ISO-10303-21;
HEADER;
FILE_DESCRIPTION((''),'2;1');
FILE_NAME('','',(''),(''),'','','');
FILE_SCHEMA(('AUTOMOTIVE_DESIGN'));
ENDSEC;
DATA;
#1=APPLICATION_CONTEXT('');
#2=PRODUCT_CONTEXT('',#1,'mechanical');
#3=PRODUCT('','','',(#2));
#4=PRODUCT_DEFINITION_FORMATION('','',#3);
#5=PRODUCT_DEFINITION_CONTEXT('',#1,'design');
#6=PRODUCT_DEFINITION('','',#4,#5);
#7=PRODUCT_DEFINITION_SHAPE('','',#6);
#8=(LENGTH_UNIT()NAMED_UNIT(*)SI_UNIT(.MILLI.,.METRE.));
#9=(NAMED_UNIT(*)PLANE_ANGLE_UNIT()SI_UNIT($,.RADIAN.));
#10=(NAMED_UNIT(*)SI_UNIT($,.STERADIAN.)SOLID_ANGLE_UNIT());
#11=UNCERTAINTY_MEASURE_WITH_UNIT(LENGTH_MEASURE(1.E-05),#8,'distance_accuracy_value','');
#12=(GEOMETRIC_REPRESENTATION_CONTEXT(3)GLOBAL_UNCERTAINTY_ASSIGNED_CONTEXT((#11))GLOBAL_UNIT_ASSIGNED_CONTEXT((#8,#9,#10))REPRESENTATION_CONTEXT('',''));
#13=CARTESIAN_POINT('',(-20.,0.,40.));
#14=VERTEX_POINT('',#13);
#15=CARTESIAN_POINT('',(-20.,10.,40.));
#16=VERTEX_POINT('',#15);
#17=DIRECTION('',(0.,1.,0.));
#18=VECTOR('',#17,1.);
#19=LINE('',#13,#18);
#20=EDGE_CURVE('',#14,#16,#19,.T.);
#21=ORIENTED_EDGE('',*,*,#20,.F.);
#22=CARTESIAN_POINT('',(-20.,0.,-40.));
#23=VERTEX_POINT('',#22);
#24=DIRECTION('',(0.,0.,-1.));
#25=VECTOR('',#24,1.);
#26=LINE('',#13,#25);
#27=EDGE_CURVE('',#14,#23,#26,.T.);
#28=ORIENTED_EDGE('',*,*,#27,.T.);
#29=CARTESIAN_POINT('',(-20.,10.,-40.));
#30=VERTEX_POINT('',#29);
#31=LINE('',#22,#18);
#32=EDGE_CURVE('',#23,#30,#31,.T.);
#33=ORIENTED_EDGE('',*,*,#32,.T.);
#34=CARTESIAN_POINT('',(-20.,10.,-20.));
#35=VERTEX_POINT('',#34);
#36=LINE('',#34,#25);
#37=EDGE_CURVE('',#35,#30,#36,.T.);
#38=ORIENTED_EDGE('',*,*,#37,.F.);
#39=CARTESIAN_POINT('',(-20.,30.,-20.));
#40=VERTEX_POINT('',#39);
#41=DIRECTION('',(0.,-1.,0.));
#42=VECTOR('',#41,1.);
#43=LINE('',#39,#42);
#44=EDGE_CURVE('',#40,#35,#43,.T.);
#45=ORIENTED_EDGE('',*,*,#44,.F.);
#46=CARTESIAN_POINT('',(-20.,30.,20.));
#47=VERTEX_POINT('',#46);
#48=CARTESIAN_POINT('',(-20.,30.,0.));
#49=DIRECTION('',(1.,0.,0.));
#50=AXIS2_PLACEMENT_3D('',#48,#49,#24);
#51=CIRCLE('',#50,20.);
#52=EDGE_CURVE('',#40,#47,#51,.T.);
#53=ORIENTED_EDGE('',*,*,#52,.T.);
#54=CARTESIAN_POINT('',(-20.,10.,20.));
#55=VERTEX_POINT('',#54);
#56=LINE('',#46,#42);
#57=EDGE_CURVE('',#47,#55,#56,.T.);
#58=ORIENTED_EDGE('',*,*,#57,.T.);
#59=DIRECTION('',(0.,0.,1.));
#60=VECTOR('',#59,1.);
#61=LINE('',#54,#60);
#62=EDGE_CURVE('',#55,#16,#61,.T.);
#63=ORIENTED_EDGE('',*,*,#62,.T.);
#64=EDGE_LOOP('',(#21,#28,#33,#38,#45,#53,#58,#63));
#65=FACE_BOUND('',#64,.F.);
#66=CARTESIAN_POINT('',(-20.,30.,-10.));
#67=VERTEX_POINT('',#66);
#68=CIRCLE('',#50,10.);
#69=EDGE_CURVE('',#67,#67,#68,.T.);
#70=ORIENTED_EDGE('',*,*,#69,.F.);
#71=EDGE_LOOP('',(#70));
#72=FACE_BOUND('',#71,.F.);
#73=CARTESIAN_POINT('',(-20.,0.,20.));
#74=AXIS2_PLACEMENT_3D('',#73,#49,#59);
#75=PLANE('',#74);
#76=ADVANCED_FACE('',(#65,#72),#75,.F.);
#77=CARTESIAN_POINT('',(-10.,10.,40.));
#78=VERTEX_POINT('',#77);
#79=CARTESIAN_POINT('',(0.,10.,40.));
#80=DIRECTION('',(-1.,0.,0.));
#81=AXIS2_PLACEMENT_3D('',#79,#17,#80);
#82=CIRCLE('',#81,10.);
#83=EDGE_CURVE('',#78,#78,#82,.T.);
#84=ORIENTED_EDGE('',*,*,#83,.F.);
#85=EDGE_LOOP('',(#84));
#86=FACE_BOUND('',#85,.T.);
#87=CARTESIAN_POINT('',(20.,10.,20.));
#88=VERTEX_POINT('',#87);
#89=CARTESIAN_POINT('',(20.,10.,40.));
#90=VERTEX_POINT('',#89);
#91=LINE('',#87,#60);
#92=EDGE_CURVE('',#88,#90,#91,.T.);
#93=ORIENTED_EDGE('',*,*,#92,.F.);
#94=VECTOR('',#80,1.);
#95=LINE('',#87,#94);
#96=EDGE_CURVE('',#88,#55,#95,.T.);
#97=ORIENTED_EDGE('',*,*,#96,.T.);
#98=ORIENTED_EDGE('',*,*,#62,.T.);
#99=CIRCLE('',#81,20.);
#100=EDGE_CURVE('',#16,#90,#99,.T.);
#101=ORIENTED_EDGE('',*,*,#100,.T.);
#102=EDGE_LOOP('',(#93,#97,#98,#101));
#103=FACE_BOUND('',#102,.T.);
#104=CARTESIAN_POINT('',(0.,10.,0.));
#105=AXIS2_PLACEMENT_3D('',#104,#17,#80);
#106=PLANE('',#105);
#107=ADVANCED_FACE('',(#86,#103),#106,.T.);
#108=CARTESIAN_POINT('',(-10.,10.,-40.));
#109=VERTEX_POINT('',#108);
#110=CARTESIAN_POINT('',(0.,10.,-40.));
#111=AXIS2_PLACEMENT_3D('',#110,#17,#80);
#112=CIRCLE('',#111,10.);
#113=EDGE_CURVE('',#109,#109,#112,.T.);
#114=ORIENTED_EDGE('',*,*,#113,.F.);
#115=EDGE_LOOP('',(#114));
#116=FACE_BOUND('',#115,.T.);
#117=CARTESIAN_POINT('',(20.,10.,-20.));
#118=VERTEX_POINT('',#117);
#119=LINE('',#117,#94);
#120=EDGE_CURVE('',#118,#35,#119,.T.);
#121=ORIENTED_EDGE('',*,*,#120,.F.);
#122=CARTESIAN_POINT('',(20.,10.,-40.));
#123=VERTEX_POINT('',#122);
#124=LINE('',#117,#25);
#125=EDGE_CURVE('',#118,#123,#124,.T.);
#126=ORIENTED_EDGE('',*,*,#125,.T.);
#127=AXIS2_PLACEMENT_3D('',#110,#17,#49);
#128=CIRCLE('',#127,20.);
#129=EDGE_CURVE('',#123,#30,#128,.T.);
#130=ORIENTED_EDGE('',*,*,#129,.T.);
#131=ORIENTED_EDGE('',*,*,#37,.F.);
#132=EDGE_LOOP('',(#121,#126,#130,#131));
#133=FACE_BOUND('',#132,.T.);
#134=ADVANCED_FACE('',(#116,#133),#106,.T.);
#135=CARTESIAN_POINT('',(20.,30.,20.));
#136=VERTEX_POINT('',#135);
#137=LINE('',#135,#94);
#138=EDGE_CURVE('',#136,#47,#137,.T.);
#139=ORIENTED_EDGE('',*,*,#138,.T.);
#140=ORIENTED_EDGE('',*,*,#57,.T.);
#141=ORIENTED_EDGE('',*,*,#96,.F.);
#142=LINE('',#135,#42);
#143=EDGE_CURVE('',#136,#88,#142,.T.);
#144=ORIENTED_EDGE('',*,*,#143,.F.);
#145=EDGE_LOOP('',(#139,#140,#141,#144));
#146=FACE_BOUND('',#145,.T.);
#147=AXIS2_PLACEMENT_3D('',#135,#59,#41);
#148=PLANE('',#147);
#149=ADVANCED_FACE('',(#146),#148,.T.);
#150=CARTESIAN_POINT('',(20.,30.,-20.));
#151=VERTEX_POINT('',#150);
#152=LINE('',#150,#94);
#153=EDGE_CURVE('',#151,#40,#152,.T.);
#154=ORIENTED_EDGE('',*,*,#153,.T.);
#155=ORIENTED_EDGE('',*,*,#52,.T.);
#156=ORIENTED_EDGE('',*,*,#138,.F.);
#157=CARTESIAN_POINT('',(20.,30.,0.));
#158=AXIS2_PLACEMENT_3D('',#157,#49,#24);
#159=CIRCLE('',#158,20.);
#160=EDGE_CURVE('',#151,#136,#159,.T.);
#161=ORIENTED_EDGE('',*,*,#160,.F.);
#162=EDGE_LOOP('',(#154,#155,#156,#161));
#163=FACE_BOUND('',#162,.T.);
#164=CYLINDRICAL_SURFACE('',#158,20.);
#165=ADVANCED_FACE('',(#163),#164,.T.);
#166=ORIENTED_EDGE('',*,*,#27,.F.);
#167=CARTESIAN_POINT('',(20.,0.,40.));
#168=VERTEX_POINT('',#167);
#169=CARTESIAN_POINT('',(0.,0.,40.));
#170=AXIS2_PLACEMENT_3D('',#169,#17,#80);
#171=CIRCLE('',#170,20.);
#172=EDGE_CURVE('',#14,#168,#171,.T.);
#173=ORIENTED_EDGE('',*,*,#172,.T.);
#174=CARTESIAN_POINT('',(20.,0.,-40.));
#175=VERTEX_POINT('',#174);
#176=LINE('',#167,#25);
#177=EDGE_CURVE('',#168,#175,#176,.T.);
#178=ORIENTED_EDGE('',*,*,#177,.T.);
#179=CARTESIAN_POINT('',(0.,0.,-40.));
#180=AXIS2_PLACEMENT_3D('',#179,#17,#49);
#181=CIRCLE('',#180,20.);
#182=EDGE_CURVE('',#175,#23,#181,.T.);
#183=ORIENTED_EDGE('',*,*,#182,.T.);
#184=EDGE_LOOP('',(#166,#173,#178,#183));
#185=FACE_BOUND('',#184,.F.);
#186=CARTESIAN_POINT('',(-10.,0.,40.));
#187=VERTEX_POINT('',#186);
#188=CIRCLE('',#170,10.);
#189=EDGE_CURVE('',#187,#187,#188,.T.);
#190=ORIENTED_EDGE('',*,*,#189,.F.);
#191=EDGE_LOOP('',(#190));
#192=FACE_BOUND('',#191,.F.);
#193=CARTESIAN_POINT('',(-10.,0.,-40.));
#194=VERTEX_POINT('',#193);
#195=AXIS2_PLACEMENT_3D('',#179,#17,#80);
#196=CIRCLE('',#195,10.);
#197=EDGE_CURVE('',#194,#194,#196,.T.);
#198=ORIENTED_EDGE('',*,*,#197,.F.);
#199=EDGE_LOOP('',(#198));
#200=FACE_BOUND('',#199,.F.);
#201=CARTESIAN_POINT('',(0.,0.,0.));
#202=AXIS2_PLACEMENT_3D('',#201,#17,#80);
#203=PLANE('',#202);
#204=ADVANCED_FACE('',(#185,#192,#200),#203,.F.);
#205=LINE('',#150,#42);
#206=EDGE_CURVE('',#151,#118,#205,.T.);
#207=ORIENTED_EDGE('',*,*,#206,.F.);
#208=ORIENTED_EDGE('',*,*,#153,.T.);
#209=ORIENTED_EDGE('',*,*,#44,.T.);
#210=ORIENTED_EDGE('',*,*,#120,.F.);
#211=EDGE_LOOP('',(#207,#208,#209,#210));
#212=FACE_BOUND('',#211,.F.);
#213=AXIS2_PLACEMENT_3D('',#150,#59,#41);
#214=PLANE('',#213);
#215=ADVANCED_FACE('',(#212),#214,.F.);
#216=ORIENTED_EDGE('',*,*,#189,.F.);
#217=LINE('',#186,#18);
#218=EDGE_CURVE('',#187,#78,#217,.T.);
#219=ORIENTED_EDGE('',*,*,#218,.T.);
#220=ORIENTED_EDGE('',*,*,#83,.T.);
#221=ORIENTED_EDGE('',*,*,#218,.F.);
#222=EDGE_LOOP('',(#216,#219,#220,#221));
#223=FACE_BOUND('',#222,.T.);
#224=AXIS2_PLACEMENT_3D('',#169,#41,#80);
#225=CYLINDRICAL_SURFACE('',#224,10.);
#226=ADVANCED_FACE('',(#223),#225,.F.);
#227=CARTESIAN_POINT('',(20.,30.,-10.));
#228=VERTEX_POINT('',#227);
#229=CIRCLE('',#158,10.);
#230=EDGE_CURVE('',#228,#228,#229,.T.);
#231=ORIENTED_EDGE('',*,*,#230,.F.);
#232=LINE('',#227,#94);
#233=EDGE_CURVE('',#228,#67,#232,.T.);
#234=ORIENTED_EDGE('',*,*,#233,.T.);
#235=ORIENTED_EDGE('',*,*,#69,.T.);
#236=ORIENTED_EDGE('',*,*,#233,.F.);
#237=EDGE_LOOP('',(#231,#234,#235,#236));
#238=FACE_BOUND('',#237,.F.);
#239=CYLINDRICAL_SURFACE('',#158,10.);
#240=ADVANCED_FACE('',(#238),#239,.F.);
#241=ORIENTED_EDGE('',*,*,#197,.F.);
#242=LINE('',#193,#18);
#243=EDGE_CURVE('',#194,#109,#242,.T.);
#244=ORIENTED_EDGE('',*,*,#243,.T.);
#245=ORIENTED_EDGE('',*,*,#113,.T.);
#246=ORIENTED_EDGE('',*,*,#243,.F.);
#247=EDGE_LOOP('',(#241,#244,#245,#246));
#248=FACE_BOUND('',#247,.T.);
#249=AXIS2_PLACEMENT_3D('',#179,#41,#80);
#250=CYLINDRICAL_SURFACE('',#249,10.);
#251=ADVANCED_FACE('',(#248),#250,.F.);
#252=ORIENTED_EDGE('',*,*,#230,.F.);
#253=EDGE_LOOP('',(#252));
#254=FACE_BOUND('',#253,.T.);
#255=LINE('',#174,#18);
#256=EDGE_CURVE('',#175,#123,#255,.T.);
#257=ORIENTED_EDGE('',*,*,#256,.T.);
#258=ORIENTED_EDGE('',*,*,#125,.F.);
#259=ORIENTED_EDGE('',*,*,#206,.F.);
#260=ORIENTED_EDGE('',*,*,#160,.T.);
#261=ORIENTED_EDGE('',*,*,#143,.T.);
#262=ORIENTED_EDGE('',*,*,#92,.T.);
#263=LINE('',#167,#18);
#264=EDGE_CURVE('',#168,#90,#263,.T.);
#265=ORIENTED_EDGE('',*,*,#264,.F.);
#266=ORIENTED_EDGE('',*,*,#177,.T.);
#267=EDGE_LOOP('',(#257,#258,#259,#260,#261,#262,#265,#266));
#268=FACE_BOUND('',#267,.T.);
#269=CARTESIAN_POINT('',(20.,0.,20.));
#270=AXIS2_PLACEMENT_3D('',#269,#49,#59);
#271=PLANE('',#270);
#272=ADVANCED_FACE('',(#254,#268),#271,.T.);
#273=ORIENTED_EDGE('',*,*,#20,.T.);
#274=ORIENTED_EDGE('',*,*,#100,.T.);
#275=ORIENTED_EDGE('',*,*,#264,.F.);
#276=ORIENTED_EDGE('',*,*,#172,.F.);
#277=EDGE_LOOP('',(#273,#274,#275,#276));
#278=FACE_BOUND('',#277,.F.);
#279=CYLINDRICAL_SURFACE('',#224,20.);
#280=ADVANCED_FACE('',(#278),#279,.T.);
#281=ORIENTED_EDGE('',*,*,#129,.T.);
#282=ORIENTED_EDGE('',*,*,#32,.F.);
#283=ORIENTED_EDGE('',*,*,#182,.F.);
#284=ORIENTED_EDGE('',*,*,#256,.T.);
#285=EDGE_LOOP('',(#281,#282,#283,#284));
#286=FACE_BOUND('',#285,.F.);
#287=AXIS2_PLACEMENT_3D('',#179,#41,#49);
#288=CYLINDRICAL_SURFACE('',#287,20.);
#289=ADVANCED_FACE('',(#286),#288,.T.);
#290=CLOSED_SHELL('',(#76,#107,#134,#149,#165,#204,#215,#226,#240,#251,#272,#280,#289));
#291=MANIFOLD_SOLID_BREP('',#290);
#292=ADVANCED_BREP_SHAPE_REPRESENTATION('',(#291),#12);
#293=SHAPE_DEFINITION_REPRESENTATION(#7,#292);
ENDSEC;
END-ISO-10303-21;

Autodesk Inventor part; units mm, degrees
ref_plane "YZ Plane" through (0, 0, 0) normal (1, 0, 0) x (0, 1, 0)
ref_plane "XZ Plane" through (0, 0, 0) normal (0, 1, 0) x (-1, 0, 0)
ref_plane "XY Plane" through (0, 0, 0) normal (0, 0, 1) x (1, 0, 0)
sketch "Sketch1" plane through (0, 0, 0) normal (0, 1, 0) x (-1, 0, 0)
  line L0 (-20, 20) -> (-20, -20)
  line L1 (20, -20) -> (20, 20)
  circle A0 centre (0, 40) radius 10
  arc A1 (20, 40) -> (-20, 40) centre (0, 40) ccw
  circle A2 centre (0, -40) radius 10
  arc A3 (-20, -40) -> (20, -40) centre (0, -40) ccw
  line L2 (20, 20) -> (20, 40)
  line L3 (20, -20) -> (20, -40)
  line L4 (-20, 20) -> (-20, 40)
  line L5 (-20, -20) -> (-20, -40)
  point P0 (0, 0)
  dimension "d0" = 40
  dimension "d1" = 40
  dimension "d3" = 20
  dimension "d4" = 40
  dimension "d6" = 20
  dimension "d7" = 40
extrude "Extrusion1" add sketch "Sketch1" along normal blind 10
sketch "Sketch2" plane through (20, 0, 40) normal (1, 0, 0) x (0, 0, -1)
  line L0 (80, 10) -> (0, 10) construction
  arc A0 (60, 30) -> (20, 30) centre (40, 30) ccw
  circle A1 centre (40, 30) radius 10
  line L1 (20, 30) -> (20, 10)
  line L2 (60, 30) -> (60, 10)
  line L3 (20, 10) -> (60, 10)
  point P0 (40, 0)
  dimension "d11" = 40
  dimension "d12" = 20
extrude "Extrusion2" add sketch "Sketch2" against normal blind 40
properties part number "Actividad #1"
